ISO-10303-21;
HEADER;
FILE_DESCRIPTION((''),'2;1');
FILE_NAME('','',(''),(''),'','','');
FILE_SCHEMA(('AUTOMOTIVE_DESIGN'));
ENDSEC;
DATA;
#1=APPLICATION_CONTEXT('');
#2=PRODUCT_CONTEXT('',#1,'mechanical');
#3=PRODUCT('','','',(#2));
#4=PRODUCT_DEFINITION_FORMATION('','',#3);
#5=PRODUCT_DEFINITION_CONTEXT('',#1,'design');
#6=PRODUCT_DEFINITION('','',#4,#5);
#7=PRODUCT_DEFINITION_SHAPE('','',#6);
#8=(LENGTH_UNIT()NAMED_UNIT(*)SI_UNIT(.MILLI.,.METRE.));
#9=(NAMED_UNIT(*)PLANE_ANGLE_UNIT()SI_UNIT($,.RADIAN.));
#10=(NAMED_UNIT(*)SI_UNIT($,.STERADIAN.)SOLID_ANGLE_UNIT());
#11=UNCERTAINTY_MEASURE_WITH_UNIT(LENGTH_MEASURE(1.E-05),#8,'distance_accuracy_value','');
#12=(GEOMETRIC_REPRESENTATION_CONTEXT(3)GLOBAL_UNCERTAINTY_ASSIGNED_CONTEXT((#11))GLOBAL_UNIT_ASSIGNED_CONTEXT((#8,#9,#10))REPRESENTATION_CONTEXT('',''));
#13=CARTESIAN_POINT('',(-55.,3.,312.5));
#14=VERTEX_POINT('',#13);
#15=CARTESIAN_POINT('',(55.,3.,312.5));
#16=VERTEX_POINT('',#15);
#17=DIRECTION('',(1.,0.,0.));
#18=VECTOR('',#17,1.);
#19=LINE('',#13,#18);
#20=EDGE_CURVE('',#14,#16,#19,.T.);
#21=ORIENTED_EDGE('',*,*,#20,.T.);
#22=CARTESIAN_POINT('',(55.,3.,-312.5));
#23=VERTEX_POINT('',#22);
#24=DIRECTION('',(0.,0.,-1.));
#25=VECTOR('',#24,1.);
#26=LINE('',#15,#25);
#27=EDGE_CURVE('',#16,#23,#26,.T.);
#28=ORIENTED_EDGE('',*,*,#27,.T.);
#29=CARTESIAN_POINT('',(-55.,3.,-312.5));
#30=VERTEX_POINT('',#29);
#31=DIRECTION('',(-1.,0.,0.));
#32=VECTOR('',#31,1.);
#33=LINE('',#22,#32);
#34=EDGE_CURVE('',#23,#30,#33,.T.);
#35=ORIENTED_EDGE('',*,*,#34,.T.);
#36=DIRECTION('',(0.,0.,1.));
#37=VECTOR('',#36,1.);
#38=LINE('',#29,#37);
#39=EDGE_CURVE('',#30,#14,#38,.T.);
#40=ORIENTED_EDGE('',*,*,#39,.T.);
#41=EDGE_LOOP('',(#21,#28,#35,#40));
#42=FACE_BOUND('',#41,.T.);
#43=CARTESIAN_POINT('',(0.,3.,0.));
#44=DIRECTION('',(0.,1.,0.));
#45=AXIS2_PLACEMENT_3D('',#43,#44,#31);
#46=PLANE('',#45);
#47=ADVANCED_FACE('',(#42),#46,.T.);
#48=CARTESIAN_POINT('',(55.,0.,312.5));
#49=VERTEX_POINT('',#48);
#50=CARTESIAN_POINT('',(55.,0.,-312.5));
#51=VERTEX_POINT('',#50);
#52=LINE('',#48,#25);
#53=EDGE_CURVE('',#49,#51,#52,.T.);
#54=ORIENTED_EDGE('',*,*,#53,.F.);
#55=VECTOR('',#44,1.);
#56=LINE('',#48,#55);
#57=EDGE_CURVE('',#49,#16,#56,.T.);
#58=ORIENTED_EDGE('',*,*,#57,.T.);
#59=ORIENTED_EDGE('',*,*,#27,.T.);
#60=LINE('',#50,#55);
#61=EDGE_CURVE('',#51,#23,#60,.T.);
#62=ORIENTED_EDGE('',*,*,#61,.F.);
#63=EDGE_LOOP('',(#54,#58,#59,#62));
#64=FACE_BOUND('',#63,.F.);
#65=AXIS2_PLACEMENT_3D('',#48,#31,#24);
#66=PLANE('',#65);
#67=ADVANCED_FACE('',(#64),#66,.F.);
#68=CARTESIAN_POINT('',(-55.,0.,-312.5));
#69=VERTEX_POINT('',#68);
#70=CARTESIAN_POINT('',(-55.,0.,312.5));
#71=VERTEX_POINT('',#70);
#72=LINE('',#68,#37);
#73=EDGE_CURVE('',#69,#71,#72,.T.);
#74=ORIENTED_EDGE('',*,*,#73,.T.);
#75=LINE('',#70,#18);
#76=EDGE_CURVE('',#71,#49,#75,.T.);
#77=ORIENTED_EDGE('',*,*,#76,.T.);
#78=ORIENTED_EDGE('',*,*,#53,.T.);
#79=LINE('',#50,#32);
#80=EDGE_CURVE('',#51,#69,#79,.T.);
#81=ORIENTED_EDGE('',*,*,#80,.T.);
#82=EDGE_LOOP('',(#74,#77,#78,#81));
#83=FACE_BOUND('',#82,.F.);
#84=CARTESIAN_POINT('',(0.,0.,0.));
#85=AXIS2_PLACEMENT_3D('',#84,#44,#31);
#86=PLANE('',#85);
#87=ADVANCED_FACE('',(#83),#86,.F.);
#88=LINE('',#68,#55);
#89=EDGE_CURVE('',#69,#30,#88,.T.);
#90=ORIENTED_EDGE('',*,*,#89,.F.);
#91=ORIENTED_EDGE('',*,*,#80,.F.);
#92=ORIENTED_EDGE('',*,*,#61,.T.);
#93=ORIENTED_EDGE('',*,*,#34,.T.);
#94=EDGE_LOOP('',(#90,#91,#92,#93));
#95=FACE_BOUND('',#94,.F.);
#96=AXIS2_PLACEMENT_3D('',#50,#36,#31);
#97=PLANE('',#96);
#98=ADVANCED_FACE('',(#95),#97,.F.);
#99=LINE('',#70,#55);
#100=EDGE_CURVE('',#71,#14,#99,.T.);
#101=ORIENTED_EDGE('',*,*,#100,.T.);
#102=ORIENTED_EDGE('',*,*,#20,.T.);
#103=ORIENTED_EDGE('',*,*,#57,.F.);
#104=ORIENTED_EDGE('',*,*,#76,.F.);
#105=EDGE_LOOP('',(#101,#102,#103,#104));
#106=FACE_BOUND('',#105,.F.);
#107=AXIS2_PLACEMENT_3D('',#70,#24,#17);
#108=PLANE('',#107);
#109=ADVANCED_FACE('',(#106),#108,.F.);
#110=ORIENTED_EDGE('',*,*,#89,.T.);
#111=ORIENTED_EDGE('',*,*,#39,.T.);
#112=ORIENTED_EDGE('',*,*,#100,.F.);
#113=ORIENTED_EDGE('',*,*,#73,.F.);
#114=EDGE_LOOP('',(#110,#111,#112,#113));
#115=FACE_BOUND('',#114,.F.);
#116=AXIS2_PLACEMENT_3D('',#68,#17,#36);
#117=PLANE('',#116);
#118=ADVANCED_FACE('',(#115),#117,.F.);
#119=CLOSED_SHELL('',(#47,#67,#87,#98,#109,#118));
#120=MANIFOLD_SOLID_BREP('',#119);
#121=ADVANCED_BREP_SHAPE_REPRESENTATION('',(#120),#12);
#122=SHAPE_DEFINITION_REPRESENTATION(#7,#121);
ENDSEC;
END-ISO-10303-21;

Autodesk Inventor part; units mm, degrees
ref_plane "YZ Plane" through (0, 0, 0) normal (1, 0, 0) x (0, 1, 0)
ref_plane "XZ Plane" through (0, 0, 0) normal (0, 1, 0) x (-1, 0, 0)
ref_plane "XY Plane" through (0, 0, 0) normal (0, 0, 1) x (1, 0, 0)
sketch "Sketch1" plane through (0, 0, 0) normal (0, 1, 0) x (-1, 0, 0)
  line L0 (55, 312.5) -> (-55, 312.5)
  line L1 (-55, 312.5) -> (-55, -312.5)
  line L2 (-55, -312.5) -> (55, -312.5)
  line L3 (55, -312.5) -> (55, 312.5)
  line L4 (55, 312.5) -> (-55, -312.5) construction
  line L5 (-55, 312.5) -> (55, -312.5) construction
  point P0 (0, 0)
  dimension "d0" = 110
  dimension "d1" = 625
extrude "Extrusion1" add sketch "Sketch1" along normal blind 3
properties part number "border1"
